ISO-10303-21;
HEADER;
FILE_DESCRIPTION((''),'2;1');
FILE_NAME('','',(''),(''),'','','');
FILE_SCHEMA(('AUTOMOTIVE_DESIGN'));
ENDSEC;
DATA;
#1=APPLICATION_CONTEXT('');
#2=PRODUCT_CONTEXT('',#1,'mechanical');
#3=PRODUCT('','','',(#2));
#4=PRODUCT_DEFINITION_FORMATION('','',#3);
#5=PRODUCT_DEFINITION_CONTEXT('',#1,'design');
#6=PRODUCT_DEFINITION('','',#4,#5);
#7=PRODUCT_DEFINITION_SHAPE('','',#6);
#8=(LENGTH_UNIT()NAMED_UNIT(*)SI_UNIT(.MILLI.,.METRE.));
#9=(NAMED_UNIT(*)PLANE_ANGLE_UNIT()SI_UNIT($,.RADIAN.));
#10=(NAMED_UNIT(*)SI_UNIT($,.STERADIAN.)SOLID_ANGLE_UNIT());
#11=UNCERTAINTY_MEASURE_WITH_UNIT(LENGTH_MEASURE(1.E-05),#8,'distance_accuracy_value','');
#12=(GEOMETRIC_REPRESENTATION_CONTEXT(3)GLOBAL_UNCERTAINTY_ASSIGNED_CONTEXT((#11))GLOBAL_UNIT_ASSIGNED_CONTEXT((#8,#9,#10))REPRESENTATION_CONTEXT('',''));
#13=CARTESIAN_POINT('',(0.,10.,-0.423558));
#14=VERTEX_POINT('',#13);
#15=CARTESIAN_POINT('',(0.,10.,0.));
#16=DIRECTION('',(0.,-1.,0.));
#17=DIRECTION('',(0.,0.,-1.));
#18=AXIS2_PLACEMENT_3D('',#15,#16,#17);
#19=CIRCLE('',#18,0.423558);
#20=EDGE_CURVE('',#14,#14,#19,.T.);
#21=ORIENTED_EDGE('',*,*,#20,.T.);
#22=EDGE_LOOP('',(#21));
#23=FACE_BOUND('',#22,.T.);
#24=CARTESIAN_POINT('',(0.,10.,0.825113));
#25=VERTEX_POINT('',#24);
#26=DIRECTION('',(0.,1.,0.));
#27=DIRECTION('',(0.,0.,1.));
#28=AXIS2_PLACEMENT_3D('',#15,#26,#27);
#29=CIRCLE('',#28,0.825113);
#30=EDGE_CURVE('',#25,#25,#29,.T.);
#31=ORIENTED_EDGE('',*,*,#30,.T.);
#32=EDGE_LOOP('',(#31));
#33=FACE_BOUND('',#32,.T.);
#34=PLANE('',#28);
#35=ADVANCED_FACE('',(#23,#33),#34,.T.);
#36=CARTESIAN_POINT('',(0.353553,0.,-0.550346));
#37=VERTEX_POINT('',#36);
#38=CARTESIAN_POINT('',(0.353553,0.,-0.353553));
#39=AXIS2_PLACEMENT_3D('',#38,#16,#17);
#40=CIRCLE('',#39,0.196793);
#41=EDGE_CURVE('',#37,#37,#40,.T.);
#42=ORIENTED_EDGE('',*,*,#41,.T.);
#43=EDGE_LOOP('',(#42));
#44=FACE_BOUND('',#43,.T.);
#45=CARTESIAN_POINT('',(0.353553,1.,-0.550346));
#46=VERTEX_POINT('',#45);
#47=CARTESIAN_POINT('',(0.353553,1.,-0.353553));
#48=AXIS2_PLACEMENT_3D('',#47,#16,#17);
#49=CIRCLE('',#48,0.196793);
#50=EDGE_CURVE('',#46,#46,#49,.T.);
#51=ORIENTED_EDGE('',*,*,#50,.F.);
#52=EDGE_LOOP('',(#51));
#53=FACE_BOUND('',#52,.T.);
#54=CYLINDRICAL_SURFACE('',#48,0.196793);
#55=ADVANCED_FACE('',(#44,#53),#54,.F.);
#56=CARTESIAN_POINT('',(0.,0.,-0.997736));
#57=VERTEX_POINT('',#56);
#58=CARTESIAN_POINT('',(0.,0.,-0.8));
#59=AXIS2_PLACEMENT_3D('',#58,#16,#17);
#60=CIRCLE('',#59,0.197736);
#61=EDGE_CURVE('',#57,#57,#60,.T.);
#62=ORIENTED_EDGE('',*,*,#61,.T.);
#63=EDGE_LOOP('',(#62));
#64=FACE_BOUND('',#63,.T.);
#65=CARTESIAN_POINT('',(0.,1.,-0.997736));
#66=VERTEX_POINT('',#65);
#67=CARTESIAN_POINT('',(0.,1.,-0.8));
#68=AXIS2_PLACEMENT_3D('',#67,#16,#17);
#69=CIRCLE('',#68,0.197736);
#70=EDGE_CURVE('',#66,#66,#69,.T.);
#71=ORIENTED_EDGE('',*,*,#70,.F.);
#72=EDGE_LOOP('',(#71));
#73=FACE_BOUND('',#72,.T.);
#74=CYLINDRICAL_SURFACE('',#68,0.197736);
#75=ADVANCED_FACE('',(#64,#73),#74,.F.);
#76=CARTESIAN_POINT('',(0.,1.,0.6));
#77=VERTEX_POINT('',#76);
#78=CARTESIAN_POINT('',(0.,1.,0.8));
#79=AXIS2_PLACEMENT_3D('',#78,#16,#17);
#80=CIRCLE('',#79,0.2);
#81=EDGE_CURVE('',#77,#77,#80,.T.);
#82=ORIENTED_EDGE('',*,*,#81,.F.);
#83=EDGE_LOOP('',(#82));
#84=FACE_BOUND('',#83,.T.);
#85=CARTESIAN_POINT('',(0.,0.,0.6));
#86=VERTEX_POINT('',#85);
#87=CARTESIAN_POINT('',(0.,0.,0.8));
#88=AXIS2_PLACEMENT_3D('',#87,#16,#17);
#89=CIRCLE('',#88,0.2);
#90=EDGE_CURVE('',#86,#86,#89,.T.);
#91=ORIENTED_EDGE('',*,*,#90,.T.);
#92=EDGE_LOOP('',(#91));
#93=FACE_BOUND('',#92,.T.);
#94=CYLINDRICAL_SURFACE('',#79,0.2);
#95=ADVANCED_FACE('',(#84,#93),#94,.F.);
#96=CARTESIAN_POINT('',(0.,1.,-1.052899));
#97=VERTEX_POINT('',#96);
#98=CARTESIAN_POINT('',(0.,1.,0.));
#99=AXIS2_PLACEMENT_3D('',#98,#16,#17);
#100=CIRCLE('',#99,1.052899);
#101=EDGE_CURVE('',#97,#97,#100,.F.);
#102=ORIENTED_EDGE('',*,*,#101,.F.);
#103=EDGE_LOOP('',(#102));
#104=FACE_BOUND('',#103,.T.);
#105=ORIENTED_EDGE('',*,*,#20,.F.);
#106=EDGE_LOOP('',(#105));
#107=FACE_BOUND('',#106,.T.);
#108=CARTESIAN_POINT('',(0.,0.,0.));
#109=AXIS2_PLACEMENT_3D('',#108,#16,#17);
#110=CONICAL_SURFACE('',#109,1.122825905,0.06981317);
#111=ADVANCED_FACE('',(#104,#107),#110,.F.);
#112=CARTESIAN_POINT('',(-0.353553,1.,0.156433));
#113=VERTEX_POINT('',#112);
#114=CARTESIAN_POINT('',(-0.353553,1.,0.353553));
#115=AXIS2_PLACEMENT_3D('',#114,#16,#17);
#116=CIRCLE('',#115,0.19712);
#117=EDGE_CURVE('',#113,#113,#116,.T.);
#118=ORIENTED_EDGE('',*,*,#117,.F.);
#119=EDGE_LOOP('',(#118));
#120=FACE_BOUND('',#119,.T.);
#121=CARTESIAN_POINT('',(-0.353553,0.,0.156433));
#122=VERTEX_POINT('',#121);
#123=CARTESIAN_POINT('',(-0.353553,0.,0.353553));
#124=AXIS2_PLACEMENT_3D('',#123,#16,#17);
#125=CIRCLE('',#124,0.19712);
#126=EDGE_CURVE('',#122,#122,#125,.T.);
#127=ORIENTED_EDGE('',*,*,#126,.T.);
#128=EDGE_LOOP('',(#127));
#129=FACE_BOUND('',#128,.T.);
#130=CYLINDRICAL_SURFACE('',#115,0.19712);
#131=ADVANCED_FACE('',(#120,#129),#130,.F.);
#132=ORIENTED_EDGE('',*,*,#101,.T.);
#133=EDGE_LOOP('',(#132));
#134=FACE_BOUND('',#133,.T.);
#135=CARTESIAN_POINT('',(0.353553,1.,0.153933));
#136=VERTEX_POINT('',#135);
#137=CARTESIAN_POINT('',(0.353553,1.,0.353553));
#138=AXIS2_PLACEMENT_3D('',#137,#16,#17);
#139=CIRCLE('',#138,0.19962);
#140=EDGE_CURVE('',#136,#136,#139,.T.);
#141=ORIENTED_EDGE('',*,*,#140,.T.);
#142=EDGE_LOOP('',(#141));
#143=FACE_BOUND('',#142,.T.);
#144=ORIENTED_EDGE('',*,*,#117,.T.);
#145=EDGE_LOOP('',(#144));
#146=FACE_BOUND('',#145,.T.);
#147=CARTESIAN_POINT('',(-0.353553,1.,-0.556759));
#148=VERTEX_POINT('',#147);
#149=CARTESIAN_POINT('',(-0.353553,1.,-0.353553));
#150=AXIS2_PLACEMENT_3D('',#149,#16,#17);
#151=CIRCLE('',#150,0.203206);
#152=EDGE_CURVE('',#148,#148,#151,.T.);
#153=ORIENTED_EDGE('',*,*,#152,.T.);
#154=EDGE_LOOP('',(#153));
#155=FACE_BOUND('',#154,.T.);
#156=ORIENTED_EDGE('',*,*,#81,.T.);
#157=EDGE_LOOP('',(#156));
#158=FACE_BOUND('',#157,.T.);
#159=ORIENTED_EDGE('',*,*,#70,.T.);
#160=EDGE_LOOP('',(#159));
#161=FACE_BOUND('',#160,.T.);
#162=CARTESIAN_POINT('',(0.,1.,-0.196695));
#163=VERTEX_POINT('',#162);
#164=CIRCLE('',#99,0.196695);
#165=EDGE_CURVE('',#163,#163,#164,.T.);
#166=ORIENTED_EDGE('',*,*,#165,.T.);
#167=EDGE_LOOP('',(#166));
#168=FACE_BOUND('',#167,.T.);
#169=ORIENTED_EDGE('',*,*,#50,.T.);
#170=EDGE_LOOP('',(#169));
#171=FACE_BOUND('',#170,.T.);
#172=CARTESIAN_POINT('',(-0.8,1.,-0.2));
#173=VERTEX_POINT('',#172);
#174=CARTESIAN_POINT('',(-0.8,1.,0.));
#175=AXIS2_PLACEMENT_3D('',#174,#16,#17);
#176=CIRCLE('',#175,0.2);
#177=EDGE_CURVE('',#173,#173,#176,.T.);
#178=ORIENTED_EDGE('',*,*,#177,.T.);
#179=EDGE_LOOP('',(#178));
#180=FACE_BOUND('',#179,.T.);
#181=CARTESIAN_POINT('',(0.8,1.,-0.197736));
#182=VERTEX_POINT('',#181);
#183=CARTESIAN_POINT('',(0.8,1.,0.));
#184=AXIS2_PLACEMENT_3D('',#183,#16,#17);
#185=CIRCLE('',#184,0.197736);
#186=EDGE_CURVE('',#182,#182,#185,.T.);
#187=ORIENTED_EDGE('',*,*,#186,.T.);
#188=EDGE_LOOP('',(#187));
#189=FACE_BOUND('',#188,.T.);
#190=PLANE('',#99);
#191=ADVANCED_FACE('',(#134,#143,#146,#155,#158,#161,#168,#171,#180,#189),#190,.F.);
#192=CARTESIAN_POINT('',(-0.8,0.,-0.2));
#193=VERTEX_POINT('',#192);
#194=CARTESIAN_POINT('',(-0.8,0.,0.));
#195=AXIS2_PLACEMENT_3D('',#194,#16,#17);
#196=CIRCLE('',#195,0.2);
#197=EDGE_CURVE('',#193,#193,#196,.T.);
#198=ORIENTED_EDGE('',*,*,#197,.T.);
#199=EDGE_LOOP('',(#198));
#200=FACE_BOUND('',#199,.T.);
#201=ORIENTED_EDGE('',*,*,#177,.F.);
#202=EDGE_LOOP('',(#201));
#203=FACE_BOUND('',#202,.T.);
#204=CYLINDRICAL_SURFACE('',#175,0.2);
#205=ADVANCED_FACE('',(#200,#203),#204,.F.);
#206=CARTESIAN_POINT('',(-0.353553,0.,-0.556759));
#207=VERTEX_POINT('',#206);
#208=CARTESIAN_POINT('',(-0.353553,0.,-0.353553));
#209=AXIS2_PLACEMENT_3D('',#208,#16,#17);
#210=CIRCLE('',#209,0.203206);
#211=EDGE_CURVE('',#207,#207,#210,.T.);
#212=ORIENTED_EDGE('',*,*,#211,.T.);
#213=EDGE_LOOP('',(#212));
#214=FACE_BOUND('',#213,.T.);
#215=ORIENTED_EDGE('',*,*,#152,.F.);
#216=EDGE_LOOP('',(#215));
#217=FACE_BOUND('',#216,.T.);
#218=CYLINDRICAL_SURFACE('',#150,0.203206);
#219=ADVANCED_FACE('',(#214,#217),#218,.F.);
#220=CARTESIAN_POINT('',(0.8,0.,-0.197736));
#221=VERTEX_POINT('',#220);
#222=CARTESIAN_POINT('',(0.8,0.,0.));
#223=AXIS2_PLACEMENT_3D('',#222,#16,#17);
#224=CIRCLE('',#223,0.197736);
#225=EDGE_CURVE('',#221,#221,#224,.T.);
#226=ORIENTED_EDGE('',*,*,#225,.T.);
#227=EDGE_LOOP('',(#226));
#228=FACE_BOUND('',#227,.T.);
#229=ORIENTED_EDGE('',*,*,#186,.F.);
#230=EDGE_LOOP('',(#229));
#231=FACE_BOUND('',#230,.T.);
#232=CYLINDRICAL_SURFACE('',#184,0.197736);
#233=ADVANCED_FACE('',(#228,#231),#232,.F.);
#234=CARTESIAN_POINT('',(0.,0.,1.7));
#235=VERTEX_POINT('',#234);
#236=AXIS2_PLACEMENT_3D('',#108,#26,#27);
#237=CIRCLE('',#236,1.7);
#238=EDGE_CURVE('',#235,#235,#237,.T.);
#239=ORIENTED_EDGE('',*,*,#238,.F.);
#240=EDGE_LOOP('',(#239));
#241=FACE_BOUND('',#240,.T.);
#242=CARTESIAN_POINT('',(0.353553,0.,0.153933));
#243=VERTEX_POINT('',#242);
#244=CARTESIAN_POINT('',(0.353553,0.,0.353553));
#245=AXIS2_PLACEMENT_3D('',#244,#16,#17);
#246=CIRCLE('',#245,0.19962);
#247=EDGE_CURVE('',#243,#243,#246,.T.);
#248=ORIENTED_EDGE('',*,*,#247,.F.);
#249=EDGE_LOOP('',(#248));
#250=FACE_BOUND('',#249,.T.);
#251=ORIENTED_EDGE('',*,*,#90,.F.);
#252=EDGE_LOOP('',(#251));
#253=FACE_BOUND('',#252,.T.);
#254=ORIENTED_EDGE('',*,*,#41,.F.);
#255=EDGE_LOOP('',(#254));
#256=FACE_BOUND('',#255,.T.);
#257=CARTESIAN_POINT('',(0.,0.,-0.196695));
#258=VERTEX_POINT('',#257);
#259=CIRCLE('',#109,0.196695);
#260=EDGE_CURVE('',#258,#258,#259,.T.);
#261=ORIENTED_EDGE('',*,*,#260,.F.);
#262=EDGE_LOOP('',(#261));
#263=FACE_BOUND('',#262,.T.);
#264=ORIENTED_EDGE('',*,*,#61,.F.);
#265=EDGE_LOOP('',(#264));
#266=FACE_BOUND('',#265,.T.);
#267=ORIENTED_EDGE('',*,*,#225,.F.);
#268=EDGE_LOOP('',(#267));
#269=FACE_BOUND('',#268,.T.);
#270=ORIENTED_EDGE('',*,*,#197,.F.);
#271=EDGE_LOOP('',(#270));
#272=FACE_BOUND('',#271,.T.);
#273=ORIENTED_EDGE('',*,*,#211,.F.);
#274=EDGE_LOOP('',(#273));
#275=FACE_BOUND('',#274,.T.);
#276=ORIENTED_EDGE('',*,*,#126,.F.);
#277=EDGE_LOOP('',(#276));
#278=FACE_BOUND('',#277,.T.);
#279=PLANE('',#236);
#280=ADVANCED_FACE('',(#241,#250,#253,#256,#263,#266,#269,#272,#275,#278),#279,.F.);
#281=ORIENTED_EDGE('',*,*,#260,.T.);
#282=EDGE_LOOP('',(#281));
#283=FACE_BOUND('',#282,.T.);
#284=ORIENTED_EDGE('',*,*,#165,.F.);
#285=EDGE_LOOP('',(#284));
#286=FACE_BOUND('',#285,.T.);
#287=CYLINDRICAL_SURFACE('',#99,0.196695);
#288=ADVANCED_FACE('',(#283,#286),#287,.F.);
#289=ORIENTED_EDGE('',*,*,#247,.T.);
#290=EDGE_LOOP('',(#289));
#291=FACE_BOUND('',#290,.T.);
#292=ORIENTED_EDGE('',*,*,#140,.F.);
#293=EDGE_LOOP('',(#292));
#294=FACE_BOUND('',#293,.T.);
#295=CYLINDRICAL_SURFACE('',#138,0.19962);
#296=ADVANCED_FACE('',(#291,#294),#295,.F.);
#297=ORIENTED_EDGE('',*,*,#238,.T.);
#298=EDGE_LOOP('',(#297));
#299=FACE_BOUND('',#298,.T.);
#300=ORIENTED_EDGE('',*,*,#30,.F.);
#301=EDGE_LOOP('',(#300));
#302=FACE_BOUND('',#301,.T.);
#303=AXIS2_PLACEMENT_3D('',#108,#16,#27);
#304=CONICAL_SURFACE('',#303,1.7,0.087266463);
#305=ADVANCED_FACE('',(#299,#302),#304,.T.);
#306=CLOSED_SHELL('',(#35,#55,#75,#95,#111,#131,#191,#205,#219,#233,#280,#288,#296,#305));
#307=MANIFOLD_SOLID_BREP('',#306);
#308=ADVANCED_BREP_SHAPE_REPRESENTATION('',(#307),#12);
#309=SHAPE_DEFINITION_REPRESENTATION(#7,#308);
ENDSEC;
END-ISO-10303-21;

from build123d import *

# Parameters (mm, degrees)
IZIM1_R                     = 1.7
Y_KSEKLIK_EKSTR_ZYON1_DEPTH = 10
Y_KSEKLIK_EKSTR_ZYON1_TAPER = 5
IZIM2_R                     = 1.122825905
KES_EKSTR_ZYON1_DEPTH       = 10
KES_EKSTR_ZYON1_TAPER       = 4
IZIM3_R                     = 1.122825905
IZIM3_R_2                   = 0.19962026
IZIM3_R_3                   = 0.196792851
IZIM3_R_4                   = 0.203205658
IZIM3_R_5                   = 0.197119951
Y_KSEKLIK_EKSTR_ZYON3_DEPTH = 1
IZIM5_R                     = 0.197735833
IZIM5_R_2                   = 0.2
KES_EKSTR_ZYON2_DEPTH       = 1
IZIM6_R                     = 0.196695493
KES_EKSTR_ZYON3_DEPTH       = 1


with BuildPart() as part:
    # Çizim1 → Yükseklik-Ekstrüzyon1 (new body)
    with BuildSketch(Plane(origin=(0, 0, 0), x_dir=(1, 0, 0), z_dir=(0, 1, 0))):
        Circle(IZIM1_R)
    extrude(amount=Y_KSEKLIK_EKSTR_ZYON1_DEPTH, taper=Y_KSEKLIK_EKSTR_ZYON1_TAPER)

    # Çizim2 → Kes-Ekstrüzyon1 (cut)
    with BuildSketch(Plane.XZ):
        Circle(IZIM2_R)
    extrude(amount=-KES_EKSTR_ZYON1_DEPTH, taper=KES_EKSTR_ZYON1_TAPER, mode=Mode.SUBTRACT)

    # Çizim3 → Yükseklik-Ekstrüzyon3 (add)
    with BuildSketch(Plane(origin=(0, 0, 0), x_dir=(-1, 0, 0), z_dir=(0, -1, 0))):
        Circle(IZIM3_R)
        with Locations((-0.353553391, -0.353553391)):
            Circle(IZIM3_R_2, mode=Mode.SUBTRACT)
        with Locations((-0.353553391, 0.353553391)):
            Circle(IZIM3_R_3, mode=Mode.SUBTRACT)
        with Locations((0.353553391, 0.353553391)):
            Circle(IZIM3_R_4, mode=Mode.SUBTRACT)
        with Locations((0.353553391, -0.353553391)):
            Circle(IZIM3_R_5, mode=Mode.SUBTRACT)
    extrude(amount=-Y_KSEKLIK_EKSTR_ZYON3_DEPTH)

    # Çizim5 → Kes-Ekstrüzyon2 (cut)
    with BuildSketch(Plane.XZ):
        with Locations((0.8, 0)):
            Circle(IZIM5_R)
        with Locations((-0.8, 0)):
            Circle(IZIM5_R_2)
        with Locations((0, -0.8)):
            Circle(IZIM5_R)
        with Locations((0, 0.8)):
            Circle(IZIM5_R_2)
    extrude(amount=-KES_EKSTR_ZYON2_DEPTH, mode=Mode.SUBTRACT)

    # Çizim6 → Kes-Ekstrüzyon3 (cut)
    with BuildSketch(Plane.XZ):
        Circle(IZIM6_R)
    extrude(amount=-KES_EKSTR_ZYON3_DEPTH, mode=Mode.SUBTRACT)


solid = part.part
